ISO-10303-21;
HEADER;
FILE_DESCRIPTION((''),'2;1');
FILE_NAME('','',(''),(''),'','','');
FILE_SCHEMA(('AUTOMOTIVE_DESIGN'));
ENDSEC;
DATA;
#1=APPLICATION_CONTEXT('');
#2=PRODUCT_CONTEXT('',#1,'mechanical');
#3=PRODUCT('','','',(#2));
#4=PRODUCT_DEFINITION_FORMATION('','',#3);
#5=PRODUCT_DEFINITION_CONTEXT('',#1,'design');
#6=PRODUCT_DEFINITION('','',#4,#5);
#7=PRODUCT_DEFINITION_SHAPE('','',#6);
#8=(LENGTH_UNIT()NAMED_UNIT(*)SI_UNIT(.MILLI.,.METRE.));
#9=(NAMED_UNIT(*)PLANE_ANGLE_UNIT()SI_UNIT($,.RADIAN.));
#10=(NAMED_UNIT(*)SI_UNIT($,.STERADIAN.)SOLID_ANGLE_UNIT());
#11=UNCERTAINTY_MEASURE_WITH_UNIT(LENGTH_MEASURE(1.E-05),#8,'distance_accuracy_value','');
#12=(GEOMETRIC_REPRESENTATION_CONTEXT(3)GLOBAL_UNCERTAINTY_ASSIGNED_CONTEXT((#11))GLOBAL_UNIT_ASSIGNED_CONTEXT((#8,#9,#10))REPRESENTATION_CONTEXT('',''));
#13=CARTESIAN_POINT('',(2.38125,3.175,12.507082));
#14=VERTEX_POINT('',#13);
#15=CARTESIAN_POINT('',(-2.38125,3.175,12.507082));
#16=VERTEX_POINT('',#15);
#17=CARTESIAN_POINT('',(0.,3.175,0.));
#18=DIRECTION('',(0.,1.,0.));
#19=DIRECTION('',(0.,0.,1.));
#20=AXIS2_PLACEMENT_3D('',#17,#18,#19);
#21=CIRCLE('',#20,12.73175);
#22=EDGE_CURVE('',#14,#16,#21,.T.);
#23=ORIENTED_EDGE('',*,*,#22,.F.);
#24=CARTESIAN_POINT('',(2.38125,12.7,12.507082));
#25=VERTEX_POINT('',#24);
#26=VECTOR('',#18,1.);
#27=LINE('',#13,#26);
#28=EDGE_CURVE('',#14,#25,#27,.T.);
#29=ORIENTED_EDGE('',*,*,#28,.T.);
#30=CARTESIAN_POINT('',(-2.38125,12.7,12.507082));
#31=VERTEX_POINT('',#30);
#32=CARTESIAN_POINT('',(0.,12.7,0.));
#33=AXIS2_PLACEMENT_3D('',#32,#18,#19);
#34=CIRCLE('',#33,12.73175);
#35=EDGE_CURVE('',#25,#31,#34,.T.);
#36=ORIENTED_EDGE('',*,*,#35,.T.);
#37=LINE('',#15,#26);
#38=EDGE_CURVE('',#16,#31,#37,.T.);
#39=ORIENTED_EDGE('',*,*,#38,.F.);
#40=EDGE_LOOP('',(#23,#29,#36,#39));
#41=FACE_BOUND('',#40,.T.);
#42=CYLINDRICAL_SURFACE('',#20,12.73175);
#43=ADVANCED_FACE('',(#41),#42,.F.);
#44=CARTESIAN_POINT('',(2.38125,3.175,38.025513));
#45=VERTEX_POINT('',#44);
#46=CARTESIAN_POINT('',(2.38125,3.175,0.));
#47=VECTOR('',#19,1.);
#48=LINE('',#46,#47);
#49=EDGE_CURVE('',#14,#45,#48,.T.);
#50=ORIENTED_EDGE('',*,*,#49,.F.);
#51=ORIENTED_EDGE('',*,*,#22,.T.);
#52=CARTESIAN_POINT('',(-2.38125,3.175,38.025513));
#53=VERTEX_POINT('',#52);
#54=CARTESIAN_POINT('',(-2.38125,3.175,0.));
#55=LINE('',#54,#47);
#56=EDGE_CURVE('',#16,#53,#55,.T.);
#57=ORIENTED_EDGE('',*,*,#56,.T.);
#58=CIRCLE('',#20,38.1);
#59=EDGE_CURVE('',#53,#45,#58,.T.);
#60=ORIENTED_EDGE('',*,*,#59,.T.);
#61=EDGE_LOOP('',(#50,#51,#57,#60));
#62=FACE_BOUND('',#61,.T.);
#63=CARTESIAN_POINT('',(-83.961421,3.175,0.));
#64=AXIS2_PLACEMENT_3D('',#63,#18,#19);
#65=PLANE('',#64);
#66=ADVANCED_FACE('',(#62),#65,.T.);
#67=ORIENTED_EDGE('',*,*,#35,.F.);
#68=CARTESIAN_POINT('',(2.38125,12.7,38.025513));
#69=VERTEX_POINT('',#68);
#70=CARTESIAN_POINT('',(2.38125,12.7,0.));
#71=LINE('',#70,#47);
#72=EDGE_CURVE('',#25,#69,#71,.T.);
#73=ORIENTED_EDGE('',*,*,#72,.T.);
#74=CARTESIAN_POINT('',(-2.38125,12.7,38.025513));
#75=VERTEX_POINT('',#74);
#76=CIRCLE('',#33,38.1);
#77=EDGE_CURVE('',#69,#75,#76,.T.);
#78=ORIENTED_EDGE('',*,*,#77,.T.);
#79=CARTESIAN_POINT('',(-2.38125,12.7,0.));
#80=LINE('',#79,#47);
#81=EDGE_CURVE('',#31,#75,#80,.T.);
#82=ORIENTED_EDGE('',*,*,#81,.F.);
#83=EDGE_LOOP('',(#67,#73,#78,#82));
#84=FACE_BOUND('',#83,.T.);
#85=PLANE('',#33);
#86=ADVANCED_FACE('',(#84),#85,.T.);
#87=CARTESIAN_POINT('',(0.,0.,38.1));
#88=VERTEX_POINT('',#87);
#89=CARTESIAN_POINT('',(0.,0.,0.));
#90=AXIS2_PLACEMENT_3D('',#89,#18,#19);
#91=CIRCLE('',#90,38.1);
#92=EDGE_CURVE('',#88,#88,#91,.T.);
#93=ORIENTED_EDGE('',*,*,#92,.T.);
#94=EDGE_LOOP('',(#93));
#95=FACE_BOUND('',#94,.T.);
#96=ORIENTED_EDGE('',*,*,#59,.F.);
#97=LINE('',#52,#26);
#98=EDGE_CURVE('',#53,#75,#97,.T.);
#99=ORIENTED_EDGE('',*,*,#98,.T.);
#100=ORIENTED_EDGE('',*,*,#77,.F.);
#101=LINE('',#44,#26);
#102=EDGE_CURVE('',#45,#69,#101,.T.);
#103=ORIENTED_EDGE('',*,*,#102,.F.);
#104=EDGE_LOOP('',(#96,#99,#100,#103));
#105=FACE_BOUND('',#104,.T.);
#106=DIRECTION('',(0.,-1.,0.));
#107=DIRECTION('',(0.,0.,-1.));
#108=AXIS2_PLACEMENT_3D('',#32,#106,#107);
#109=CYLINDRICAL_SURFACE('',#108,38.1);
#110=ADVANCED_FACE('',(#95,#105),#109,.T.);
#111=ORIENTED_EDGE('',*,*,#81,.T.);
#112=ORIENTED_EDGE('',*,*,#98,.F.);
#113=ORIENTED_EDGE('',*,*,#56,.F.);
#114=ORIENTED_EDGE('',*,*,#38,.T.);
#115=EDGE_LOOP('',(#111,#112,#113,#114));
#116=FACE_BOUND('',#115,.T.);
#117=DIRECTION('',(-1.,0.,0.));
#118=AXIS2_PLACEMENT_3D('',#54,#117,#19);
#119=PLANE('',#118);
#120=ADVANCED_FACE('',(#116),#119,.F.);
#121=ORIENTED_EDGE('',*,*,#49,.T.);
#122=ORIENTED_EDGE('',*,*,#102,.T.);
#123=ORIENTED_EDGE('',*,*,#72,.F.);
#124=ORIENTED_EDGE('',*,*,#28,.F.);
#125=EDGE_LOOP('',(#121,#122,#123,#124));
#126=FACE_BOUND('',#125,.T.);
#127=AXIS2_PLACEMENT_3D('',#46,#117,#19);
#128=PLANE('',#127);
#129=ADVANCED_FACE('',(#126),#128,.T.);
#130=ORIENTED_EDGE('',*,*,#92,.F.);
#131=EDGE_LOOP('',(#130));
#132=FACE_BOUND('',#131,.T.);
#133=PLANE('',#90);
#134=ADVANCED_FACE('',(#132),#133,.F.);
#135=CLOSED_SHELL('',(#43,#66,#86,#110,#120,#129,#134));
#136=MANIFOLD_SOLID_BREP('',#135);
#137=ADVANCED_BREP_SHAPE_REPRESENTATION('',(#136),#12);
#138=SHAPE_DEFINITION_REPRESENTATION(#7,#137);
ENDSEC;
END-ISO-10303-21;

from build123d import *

# Parameters (mm, degrees)
SKETCH1_R           = 38.1
BOSS_EXTRUDE1_DEPTH = 12.7
CUT_EXTRUDE1_DEPTH  = 9.525


with BuildPart() as part:
    # Sketch1 → Boss-Extrude1 (new body)
    with BuildSketch(Plane(origin=(0, 0, 0), x_dir=(1, 0, 0), z_dir=(0, 1, 0))):
        Circle(SKETCH1_R)
    extrude(amount=BOSS_EXTRUDE1_DEPTH)

    # Sketch2 → Cut-Extrude1 (cut)
    with BuildSketch(Plane(origin=(0, 12.7, 0), x_dir=(1, 0, 0), z_dir=(0, 1, 0))):
        with BuildLine():
            Line((2.38125, -38.025513125), (2.38125, -12.507082254))
            ThreePointArc((2.38125, -12.507082254), (0, 12.73175), (-2.38125, -12.507082254))
            Line((-2.38125, -12.507082254), (-2.38125, -38.025513125))
            ThreePointArc((-2.38125, -38.025513125), (0, -38.1), (2.38125, -38.025513125))
        make_face()
    extrude(amount=-CUT_EXTRUDE1_DEPTH, mode=Mode.SUBTRACT)


solid = part.part
